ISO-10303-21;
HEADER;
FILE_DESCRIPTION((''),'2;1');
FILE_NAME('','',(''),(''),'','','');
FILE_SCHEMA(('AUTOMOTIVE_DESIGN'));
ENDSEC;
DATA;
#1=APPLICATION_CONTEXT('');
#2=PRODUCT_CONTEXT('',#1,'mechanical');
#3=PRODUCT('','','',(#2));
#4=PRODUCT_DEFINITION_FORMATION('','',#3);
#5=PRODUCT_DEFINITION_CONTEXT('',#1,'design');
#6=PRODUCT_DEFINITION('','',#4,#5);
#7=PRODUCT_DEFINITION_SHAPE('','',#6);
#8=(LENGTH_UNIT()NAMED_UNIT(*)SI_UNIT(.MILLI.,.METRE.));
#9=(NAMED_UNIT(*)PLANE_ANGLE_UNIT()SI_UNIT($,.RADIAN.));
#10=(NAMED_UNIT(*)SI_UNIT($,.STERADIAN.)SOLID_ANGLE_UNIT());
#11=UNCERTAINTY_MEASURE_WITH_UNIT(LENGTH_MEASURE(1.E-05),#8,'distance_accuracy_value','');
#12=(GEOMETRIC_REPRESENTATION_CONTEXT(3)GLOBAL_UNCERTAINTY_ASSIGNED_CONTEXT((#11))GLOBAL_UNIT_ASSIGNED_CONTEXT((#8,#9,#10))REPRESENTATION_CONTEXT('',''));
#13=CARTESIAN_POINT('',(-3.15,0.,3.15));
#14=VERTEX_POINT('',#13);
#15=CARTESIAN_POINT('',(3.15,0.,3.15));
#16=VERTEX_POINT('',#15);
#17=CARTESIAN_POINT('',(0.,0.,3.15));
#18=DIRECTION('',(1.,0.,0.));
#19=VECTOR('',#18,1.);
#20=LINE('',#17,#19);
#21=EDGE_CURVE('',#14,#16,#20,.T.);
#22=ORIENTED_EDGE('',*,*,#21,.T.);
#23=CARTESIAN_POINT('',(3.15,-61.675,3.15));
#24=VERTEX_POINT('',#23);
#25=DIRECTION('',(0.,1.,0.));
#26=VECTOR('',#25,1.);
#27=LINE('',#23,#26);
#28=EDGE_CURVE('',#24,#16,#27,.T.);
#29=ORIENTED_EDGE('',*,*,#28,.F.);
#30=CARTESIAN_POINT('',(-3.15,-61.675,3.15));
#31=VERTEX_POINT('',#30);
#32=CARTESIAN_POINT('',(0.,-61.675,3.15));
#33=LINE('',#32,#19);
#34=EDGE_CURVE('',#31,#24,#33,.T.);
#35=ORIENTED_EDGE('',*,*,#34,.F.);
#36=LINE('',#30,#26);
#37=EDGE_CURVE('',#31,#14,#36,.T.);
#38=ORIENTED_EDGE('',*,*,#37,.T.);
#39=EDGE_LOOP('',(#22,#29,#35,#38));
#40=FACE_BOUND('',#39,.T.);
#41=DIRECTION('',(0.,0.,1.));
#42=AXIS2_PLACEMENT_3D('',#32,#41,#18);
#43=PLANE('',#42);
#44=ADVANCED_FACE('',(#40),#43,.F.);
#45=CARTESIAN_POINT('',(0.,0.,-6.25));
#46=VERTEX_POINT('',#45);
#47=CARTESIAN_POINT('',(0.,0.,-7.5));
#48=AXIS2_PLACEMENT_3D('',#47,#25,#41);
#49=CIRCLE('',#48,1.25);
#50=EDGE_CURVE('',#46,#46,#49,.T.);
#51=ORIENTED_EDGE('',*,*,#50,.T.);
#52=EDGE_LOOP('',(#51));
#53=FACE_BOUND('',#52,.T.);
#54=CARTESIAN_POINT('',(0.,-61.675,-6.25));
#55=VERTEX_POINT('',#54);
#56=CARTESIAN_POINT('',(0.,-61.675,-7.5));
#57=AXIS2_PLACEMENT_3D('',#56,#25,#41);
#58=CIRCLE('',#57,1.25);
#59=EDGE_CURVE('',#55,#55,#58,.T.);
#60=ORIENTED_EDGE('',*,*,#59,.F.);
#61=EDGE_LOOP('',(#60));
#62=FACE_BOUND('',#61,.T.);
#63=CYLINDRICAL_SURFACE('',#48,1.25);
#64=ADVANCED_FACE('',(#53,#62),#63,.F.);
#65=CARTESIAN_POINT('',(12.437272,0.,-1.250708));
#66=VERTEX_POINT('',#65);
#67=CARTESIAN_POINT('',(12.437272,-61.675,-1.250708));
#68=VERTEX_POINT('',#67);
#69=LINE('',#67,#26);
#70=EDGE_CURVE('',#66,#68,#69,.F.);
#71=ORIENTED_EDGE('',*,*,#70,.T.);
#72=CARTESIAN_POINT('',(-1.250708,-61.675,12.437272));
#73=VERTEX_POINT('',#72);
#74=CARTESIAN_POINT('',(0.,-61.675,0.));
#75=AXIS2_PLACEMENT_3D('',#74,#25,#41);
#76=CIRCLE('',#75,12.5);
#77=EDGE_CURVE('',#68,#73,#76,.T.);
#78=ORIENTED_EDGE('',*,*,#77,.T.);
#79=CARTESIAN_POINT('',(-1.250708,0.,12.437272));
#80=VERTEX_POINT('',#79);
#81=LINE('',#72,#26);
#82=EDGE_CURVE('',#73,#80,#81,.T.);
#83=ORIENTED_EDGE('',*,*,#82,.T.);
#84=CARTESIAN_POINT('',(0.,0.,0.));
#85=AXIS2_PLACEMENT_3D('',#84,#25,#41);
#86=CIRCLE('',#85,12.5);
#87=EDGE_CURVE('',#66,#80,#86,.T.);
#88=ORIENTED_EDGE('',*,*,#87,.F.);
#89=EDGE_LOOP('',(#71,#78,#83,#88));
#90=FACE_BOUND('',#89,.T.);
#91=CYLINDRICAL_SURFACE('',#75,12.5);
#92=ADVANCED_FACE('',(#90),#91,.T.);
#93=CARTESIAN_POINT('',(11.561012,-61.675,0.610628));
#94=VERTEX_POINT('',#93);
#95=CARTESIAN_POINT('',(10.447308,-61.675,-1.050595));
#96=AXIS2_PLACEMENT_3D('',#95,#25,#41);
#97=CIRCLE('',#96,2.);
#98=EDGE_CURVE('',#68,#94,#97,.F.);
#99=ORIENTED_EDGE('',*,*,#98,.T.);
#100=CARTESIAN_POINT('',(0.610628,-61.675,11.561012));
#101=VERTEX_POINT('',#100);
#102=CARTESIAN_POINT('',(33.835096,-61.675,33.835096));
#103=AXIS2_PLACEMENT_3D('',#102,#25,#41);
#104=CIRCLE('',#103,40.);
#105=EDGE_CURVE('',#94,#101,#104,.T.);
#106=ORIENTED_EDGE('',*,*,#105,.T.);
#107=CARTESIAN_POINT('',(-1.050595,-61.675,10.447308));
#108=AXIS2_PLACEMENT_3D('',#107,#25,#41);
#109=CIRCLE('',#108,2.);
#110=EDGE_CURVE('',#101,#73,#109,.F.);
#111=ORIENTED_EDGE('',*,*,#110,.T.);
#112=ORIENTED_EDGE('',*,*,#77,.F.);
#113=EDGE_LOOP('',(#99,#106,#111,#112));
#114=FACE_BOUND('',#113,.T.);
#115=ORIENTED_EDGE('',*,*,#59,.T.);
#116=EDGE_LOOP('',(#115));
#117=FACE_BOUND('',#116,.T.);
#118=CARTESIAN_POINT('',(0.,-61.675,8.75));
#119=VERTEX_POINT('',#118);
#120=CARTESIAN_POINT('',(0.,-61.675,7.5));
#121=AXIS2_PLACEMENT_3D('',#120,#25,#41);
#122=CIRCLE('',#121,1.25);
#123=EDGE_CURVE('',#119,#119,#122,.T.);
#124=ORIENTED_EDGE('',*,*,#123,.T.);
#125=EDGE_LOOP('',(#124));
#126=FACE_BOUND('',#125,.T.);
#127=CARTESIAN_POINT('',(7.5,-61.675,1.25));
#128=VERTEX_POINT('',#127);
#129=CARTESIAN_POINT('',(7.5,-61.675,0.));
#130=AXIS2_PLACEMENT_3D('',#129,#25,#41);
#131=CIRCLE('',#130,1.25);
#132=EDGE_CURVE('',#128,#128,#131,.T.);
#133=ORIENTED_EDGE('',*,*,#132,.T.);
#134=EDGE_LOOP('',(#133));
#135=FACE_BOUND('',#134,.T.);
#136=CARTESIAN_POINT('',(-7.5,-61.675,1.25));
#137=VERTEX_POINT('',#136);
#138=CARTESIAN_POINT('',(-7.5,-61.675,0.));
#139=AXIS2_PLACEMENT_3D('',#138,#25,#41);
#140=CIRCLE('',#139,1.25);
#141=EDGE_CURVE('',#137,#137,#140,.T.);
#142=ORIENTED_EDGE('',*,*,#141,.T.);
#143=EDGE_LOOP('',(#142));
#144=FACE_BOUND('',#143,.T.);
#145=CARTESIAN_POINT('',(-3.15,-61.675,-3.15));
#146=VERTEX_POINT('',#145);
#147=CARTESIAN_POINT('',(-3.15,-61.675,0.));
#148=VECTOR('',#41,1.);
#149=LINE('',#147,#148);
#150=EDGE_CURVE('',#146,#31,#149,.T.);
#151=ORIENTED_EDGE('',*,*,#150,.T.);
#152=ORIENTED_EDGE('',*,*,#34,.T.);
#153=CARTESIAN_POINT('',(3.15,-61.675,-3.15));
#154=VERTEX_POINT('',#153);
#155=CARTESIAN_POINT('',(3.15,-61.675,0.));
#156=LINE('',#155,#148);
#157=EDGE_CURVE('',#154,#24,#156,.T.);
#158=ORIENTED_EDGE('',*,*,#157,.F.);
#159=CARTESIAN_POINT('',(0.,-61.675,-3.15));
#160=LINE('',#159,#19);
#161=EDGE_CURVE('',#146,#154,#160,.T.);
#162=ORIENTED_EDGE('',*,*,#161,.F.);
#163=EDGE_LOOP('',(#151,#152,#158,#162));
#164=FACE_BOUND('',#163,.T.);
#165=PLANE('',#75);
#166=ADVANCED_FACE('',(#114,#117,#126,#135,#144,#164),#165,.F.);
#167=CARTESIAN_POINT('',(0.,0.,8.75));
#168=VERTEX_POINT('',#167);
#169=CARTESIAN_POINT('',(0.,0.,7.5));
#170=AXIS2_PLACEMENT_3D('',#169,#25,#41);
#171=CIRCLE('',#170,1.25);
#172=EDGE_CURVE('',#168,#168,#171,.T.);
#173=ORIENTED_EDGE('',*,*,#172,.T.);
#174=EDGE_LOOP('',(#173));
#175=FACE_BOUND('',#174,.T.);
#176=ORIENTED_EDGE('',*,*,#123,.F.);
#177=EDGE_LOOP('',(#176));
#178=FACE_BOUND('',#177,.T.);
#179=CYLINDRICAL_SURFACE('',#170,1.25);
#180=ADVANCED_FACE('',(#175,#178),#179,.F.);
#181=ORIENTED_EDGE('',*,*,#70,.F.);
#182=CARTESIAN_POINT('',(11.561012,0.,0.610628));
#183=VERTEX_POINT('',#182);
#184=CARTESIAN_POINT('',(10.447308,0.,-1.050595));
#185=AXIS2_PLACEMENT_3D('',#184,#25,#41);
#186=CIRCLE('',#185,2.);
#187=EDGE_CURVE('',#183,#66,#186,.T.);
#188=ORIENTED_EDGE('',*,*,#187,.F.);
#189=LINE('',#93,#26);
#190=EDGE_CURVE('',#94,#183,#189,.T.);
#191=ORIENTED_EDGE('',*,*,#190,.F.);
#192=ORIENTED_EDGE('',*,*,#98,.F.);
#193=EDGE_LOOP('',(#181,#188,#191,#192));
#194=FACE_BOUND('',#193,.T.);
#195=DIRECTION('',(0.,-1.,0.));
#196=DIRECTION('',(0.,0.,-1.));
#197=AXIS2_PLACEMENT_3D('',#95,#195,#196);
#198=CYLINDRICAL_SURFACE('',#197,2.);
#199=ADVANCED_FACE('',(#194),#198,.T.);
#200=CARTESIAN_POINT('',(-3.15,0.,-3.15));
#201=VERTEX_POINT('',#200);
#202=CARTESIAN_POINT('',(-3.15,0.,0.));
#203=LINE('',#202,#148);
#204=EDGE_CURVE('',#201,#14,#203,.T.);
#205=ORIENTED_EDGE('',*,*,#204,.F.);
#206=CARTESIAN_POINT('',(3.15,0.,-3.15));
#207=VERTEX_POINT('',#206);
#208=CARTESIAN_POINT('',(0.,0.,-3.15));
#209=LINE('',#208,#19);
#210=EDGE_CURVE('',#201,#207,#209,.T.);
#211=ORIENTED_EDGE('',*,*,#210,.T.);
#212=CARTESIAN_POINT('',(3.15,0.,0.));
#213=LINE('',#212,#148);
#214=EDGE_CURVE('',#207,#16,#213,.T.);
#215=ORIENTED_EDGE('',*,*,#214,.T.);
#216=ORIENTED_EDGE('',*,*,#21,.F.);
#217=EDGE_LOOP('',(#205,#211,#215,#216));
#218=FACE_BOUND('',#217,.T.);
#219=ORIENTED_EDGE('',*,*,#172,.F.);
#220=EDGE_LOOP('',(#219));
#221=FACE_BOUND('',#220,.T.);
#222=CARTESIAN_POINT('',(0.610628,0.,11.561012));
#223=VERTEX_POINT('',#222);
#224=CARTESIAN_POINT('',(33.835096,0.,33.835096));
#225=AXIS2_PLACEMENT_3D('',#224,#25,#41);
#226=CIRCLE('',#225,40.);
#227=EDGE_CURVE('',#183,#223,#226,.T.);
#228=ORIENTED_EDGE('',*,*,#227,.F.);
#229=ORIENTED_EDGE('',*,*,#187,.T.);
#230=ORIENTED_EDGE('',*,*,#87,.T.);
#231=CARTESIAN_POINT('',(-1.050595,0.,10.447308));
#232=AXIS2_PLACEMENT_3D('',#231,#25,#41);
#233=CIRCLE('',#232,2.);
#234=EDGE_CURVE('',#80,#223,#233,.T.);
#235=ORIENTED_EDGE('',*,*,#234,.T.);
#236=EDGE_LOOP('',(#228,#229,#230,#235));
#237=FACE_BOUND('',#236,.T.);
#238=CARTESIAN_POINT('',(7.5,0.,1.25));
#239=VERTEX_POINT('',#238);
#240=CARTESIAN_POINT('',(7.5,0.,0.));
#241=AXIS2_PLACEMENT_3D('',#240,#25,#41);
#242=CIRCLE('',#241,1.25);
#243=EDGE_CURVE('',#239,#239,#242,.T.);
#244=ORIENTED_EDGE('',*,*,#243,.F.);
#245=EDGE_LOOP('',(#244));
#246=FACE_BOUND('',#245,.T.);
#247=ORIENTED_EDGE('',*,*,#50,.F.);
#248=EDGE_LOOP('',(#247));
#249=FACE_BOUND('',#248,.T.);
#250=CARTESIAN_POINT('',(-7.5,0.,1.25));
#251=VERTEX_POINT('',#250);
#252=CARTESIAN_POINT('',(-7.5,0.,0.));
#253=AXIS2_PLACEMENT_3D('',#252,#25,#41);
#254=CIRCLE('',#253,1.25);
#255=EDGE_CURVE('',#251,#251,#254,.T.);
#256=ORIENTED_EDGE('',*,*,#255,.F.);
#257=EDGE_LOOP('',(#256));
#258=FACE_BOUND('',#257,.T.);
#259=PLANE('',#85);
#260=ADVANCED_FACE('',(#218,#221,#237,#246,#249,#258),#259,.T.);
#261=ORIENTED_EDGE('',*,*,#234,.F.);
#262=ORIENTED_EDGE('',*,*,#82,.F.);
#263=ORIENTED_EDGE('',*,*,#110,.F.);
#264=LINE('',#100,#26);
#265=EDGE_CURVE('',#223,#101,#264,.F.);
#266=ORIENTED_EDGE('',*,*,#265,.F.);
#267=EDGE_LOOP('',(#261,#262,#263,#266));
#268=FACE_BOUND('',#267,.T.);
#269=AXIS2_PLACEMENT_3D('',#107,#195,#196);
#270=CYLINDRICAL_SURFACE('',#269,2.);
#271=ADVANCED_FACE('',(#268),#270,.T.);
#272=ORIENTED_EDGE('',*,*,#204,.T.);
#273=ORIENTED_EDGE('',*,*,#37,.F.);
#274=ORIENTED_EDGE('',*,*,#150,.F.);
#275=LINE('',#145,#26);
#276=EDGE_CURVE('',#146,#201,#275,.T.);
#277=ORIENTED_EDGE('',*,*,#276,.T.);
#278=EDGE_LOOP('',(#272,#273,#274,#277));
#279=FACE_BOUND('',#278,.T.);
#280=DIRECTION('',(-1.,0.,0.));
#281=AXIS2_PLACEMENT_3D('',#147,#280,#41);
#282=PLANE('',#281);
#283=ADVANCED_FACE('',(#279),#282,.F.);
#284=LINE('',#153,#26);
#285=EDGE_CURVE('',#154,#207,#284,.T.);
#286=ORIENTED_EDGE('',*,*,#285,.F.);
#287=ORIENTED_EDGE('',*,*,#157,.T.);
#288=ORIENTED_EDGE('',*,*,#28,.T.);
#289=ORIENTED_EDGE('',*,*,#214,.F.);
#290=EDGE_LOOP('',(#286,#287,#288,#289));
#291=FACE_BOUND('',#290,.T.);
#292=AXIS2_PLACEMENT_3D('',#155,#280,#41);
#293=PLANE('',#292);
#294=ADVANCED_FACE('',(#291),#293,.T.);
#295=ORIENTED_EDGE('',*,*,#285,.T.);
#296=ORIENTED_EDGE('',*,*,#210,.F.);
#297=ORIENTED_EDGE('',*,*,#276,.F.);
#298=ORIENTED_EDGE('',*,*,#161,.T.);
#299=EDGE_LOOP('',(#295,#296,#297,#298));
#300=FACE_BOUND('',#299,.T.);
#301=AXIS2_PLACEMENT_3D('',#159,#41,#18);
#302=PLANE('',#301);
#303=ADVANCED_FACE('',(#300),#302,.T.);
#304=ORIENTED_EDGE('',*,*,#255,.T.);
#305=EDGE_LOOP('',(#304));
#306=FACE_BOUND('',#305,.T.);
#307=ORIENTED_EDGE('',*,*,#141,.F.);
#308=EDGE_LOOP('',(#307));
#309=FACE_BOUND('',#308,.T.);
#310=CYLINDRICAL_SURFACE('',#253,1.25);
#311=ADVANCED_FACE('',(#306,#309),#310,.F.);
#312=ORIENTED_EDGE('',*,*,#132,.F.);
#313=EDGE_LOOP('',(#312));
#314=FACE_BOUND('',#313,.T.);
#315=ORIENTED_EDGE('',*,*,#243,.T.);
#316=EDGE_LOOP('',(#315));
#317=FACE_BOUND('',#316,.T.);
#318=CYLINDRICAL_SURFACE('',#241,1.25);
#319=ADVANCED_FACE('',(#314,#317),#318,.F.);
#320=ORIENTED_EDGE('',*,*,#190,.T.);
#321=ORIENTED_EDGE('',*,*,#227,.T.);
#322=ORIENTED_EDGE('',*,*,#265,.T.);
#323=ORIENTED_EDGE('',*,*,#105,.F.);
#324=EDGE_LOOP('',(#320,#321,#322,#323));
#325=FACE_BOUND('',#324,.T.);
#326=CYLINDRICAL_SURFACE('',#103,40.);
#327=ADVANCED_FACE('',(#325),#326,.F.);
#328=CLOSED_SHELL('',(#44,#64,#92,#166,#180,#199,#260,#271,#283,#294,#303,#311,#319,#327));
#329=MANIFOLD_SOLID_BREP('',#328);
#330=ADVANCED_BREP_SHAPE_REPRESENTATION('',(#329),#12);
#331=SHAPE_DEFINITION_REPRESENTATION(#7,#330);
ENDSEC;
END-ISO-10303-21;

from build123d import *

# Parameters (mm, degrees)
SKETCH1_W                   = 6.3
SKETCH1_H                   = 6.3
BOSS_EXTRUDE1_DEPTH         = 61.675
TAP_DRILL_FOR_M3X0_5_TAP1_D = 2.5
FILLET1_R                   = 2


with BuildPart() as part:
    # Sketch1 → Boss-Extrude1 (new body)
    with BuildSketch(Plane(origin=(0, 0, 0), x_dir=(1, 0, 0), z_dir=(0, 1, 0))):
        with BuildLine():
            ThreePointArc((0, -12.5), (5.550824366, -5.550824366), (12.5, 0))
            ThreePointArc((12.5, 0), (-8.838834765, 8.838834765), (0, -12.5))
        make_face()
        Rectangle(SKETCH1_W, SKETCH1_H, mode=Mode.SUBTRACT)
    extrude(amount=-BOSS_EXTRUDE1_DEPTH)

    # Tap Drill for M3x0.5 Tap1 (through all)
    with Locations(Plane(origin=(0, 0, -7.5), x_dir=(0, 0, 1), z_dir=(0, 1, 0))):
        with Locations((0, 0), (7.5, 7.5), (7.5, -7.5), (15, 0)):
            Hole(TAP_DRILL_FOR_M3X0_5_TAP1_D / 2)

    # Fillet1
    fillet1_edges = [part.edges().sort_by_distance(p)[0] for p in [
        (0, -30.8375, 12.5),
        (12.5, -30.8375, 0),
    ]]
    fillet(fillet1_edges, radius=FILLET1_R)


solid = part.part
